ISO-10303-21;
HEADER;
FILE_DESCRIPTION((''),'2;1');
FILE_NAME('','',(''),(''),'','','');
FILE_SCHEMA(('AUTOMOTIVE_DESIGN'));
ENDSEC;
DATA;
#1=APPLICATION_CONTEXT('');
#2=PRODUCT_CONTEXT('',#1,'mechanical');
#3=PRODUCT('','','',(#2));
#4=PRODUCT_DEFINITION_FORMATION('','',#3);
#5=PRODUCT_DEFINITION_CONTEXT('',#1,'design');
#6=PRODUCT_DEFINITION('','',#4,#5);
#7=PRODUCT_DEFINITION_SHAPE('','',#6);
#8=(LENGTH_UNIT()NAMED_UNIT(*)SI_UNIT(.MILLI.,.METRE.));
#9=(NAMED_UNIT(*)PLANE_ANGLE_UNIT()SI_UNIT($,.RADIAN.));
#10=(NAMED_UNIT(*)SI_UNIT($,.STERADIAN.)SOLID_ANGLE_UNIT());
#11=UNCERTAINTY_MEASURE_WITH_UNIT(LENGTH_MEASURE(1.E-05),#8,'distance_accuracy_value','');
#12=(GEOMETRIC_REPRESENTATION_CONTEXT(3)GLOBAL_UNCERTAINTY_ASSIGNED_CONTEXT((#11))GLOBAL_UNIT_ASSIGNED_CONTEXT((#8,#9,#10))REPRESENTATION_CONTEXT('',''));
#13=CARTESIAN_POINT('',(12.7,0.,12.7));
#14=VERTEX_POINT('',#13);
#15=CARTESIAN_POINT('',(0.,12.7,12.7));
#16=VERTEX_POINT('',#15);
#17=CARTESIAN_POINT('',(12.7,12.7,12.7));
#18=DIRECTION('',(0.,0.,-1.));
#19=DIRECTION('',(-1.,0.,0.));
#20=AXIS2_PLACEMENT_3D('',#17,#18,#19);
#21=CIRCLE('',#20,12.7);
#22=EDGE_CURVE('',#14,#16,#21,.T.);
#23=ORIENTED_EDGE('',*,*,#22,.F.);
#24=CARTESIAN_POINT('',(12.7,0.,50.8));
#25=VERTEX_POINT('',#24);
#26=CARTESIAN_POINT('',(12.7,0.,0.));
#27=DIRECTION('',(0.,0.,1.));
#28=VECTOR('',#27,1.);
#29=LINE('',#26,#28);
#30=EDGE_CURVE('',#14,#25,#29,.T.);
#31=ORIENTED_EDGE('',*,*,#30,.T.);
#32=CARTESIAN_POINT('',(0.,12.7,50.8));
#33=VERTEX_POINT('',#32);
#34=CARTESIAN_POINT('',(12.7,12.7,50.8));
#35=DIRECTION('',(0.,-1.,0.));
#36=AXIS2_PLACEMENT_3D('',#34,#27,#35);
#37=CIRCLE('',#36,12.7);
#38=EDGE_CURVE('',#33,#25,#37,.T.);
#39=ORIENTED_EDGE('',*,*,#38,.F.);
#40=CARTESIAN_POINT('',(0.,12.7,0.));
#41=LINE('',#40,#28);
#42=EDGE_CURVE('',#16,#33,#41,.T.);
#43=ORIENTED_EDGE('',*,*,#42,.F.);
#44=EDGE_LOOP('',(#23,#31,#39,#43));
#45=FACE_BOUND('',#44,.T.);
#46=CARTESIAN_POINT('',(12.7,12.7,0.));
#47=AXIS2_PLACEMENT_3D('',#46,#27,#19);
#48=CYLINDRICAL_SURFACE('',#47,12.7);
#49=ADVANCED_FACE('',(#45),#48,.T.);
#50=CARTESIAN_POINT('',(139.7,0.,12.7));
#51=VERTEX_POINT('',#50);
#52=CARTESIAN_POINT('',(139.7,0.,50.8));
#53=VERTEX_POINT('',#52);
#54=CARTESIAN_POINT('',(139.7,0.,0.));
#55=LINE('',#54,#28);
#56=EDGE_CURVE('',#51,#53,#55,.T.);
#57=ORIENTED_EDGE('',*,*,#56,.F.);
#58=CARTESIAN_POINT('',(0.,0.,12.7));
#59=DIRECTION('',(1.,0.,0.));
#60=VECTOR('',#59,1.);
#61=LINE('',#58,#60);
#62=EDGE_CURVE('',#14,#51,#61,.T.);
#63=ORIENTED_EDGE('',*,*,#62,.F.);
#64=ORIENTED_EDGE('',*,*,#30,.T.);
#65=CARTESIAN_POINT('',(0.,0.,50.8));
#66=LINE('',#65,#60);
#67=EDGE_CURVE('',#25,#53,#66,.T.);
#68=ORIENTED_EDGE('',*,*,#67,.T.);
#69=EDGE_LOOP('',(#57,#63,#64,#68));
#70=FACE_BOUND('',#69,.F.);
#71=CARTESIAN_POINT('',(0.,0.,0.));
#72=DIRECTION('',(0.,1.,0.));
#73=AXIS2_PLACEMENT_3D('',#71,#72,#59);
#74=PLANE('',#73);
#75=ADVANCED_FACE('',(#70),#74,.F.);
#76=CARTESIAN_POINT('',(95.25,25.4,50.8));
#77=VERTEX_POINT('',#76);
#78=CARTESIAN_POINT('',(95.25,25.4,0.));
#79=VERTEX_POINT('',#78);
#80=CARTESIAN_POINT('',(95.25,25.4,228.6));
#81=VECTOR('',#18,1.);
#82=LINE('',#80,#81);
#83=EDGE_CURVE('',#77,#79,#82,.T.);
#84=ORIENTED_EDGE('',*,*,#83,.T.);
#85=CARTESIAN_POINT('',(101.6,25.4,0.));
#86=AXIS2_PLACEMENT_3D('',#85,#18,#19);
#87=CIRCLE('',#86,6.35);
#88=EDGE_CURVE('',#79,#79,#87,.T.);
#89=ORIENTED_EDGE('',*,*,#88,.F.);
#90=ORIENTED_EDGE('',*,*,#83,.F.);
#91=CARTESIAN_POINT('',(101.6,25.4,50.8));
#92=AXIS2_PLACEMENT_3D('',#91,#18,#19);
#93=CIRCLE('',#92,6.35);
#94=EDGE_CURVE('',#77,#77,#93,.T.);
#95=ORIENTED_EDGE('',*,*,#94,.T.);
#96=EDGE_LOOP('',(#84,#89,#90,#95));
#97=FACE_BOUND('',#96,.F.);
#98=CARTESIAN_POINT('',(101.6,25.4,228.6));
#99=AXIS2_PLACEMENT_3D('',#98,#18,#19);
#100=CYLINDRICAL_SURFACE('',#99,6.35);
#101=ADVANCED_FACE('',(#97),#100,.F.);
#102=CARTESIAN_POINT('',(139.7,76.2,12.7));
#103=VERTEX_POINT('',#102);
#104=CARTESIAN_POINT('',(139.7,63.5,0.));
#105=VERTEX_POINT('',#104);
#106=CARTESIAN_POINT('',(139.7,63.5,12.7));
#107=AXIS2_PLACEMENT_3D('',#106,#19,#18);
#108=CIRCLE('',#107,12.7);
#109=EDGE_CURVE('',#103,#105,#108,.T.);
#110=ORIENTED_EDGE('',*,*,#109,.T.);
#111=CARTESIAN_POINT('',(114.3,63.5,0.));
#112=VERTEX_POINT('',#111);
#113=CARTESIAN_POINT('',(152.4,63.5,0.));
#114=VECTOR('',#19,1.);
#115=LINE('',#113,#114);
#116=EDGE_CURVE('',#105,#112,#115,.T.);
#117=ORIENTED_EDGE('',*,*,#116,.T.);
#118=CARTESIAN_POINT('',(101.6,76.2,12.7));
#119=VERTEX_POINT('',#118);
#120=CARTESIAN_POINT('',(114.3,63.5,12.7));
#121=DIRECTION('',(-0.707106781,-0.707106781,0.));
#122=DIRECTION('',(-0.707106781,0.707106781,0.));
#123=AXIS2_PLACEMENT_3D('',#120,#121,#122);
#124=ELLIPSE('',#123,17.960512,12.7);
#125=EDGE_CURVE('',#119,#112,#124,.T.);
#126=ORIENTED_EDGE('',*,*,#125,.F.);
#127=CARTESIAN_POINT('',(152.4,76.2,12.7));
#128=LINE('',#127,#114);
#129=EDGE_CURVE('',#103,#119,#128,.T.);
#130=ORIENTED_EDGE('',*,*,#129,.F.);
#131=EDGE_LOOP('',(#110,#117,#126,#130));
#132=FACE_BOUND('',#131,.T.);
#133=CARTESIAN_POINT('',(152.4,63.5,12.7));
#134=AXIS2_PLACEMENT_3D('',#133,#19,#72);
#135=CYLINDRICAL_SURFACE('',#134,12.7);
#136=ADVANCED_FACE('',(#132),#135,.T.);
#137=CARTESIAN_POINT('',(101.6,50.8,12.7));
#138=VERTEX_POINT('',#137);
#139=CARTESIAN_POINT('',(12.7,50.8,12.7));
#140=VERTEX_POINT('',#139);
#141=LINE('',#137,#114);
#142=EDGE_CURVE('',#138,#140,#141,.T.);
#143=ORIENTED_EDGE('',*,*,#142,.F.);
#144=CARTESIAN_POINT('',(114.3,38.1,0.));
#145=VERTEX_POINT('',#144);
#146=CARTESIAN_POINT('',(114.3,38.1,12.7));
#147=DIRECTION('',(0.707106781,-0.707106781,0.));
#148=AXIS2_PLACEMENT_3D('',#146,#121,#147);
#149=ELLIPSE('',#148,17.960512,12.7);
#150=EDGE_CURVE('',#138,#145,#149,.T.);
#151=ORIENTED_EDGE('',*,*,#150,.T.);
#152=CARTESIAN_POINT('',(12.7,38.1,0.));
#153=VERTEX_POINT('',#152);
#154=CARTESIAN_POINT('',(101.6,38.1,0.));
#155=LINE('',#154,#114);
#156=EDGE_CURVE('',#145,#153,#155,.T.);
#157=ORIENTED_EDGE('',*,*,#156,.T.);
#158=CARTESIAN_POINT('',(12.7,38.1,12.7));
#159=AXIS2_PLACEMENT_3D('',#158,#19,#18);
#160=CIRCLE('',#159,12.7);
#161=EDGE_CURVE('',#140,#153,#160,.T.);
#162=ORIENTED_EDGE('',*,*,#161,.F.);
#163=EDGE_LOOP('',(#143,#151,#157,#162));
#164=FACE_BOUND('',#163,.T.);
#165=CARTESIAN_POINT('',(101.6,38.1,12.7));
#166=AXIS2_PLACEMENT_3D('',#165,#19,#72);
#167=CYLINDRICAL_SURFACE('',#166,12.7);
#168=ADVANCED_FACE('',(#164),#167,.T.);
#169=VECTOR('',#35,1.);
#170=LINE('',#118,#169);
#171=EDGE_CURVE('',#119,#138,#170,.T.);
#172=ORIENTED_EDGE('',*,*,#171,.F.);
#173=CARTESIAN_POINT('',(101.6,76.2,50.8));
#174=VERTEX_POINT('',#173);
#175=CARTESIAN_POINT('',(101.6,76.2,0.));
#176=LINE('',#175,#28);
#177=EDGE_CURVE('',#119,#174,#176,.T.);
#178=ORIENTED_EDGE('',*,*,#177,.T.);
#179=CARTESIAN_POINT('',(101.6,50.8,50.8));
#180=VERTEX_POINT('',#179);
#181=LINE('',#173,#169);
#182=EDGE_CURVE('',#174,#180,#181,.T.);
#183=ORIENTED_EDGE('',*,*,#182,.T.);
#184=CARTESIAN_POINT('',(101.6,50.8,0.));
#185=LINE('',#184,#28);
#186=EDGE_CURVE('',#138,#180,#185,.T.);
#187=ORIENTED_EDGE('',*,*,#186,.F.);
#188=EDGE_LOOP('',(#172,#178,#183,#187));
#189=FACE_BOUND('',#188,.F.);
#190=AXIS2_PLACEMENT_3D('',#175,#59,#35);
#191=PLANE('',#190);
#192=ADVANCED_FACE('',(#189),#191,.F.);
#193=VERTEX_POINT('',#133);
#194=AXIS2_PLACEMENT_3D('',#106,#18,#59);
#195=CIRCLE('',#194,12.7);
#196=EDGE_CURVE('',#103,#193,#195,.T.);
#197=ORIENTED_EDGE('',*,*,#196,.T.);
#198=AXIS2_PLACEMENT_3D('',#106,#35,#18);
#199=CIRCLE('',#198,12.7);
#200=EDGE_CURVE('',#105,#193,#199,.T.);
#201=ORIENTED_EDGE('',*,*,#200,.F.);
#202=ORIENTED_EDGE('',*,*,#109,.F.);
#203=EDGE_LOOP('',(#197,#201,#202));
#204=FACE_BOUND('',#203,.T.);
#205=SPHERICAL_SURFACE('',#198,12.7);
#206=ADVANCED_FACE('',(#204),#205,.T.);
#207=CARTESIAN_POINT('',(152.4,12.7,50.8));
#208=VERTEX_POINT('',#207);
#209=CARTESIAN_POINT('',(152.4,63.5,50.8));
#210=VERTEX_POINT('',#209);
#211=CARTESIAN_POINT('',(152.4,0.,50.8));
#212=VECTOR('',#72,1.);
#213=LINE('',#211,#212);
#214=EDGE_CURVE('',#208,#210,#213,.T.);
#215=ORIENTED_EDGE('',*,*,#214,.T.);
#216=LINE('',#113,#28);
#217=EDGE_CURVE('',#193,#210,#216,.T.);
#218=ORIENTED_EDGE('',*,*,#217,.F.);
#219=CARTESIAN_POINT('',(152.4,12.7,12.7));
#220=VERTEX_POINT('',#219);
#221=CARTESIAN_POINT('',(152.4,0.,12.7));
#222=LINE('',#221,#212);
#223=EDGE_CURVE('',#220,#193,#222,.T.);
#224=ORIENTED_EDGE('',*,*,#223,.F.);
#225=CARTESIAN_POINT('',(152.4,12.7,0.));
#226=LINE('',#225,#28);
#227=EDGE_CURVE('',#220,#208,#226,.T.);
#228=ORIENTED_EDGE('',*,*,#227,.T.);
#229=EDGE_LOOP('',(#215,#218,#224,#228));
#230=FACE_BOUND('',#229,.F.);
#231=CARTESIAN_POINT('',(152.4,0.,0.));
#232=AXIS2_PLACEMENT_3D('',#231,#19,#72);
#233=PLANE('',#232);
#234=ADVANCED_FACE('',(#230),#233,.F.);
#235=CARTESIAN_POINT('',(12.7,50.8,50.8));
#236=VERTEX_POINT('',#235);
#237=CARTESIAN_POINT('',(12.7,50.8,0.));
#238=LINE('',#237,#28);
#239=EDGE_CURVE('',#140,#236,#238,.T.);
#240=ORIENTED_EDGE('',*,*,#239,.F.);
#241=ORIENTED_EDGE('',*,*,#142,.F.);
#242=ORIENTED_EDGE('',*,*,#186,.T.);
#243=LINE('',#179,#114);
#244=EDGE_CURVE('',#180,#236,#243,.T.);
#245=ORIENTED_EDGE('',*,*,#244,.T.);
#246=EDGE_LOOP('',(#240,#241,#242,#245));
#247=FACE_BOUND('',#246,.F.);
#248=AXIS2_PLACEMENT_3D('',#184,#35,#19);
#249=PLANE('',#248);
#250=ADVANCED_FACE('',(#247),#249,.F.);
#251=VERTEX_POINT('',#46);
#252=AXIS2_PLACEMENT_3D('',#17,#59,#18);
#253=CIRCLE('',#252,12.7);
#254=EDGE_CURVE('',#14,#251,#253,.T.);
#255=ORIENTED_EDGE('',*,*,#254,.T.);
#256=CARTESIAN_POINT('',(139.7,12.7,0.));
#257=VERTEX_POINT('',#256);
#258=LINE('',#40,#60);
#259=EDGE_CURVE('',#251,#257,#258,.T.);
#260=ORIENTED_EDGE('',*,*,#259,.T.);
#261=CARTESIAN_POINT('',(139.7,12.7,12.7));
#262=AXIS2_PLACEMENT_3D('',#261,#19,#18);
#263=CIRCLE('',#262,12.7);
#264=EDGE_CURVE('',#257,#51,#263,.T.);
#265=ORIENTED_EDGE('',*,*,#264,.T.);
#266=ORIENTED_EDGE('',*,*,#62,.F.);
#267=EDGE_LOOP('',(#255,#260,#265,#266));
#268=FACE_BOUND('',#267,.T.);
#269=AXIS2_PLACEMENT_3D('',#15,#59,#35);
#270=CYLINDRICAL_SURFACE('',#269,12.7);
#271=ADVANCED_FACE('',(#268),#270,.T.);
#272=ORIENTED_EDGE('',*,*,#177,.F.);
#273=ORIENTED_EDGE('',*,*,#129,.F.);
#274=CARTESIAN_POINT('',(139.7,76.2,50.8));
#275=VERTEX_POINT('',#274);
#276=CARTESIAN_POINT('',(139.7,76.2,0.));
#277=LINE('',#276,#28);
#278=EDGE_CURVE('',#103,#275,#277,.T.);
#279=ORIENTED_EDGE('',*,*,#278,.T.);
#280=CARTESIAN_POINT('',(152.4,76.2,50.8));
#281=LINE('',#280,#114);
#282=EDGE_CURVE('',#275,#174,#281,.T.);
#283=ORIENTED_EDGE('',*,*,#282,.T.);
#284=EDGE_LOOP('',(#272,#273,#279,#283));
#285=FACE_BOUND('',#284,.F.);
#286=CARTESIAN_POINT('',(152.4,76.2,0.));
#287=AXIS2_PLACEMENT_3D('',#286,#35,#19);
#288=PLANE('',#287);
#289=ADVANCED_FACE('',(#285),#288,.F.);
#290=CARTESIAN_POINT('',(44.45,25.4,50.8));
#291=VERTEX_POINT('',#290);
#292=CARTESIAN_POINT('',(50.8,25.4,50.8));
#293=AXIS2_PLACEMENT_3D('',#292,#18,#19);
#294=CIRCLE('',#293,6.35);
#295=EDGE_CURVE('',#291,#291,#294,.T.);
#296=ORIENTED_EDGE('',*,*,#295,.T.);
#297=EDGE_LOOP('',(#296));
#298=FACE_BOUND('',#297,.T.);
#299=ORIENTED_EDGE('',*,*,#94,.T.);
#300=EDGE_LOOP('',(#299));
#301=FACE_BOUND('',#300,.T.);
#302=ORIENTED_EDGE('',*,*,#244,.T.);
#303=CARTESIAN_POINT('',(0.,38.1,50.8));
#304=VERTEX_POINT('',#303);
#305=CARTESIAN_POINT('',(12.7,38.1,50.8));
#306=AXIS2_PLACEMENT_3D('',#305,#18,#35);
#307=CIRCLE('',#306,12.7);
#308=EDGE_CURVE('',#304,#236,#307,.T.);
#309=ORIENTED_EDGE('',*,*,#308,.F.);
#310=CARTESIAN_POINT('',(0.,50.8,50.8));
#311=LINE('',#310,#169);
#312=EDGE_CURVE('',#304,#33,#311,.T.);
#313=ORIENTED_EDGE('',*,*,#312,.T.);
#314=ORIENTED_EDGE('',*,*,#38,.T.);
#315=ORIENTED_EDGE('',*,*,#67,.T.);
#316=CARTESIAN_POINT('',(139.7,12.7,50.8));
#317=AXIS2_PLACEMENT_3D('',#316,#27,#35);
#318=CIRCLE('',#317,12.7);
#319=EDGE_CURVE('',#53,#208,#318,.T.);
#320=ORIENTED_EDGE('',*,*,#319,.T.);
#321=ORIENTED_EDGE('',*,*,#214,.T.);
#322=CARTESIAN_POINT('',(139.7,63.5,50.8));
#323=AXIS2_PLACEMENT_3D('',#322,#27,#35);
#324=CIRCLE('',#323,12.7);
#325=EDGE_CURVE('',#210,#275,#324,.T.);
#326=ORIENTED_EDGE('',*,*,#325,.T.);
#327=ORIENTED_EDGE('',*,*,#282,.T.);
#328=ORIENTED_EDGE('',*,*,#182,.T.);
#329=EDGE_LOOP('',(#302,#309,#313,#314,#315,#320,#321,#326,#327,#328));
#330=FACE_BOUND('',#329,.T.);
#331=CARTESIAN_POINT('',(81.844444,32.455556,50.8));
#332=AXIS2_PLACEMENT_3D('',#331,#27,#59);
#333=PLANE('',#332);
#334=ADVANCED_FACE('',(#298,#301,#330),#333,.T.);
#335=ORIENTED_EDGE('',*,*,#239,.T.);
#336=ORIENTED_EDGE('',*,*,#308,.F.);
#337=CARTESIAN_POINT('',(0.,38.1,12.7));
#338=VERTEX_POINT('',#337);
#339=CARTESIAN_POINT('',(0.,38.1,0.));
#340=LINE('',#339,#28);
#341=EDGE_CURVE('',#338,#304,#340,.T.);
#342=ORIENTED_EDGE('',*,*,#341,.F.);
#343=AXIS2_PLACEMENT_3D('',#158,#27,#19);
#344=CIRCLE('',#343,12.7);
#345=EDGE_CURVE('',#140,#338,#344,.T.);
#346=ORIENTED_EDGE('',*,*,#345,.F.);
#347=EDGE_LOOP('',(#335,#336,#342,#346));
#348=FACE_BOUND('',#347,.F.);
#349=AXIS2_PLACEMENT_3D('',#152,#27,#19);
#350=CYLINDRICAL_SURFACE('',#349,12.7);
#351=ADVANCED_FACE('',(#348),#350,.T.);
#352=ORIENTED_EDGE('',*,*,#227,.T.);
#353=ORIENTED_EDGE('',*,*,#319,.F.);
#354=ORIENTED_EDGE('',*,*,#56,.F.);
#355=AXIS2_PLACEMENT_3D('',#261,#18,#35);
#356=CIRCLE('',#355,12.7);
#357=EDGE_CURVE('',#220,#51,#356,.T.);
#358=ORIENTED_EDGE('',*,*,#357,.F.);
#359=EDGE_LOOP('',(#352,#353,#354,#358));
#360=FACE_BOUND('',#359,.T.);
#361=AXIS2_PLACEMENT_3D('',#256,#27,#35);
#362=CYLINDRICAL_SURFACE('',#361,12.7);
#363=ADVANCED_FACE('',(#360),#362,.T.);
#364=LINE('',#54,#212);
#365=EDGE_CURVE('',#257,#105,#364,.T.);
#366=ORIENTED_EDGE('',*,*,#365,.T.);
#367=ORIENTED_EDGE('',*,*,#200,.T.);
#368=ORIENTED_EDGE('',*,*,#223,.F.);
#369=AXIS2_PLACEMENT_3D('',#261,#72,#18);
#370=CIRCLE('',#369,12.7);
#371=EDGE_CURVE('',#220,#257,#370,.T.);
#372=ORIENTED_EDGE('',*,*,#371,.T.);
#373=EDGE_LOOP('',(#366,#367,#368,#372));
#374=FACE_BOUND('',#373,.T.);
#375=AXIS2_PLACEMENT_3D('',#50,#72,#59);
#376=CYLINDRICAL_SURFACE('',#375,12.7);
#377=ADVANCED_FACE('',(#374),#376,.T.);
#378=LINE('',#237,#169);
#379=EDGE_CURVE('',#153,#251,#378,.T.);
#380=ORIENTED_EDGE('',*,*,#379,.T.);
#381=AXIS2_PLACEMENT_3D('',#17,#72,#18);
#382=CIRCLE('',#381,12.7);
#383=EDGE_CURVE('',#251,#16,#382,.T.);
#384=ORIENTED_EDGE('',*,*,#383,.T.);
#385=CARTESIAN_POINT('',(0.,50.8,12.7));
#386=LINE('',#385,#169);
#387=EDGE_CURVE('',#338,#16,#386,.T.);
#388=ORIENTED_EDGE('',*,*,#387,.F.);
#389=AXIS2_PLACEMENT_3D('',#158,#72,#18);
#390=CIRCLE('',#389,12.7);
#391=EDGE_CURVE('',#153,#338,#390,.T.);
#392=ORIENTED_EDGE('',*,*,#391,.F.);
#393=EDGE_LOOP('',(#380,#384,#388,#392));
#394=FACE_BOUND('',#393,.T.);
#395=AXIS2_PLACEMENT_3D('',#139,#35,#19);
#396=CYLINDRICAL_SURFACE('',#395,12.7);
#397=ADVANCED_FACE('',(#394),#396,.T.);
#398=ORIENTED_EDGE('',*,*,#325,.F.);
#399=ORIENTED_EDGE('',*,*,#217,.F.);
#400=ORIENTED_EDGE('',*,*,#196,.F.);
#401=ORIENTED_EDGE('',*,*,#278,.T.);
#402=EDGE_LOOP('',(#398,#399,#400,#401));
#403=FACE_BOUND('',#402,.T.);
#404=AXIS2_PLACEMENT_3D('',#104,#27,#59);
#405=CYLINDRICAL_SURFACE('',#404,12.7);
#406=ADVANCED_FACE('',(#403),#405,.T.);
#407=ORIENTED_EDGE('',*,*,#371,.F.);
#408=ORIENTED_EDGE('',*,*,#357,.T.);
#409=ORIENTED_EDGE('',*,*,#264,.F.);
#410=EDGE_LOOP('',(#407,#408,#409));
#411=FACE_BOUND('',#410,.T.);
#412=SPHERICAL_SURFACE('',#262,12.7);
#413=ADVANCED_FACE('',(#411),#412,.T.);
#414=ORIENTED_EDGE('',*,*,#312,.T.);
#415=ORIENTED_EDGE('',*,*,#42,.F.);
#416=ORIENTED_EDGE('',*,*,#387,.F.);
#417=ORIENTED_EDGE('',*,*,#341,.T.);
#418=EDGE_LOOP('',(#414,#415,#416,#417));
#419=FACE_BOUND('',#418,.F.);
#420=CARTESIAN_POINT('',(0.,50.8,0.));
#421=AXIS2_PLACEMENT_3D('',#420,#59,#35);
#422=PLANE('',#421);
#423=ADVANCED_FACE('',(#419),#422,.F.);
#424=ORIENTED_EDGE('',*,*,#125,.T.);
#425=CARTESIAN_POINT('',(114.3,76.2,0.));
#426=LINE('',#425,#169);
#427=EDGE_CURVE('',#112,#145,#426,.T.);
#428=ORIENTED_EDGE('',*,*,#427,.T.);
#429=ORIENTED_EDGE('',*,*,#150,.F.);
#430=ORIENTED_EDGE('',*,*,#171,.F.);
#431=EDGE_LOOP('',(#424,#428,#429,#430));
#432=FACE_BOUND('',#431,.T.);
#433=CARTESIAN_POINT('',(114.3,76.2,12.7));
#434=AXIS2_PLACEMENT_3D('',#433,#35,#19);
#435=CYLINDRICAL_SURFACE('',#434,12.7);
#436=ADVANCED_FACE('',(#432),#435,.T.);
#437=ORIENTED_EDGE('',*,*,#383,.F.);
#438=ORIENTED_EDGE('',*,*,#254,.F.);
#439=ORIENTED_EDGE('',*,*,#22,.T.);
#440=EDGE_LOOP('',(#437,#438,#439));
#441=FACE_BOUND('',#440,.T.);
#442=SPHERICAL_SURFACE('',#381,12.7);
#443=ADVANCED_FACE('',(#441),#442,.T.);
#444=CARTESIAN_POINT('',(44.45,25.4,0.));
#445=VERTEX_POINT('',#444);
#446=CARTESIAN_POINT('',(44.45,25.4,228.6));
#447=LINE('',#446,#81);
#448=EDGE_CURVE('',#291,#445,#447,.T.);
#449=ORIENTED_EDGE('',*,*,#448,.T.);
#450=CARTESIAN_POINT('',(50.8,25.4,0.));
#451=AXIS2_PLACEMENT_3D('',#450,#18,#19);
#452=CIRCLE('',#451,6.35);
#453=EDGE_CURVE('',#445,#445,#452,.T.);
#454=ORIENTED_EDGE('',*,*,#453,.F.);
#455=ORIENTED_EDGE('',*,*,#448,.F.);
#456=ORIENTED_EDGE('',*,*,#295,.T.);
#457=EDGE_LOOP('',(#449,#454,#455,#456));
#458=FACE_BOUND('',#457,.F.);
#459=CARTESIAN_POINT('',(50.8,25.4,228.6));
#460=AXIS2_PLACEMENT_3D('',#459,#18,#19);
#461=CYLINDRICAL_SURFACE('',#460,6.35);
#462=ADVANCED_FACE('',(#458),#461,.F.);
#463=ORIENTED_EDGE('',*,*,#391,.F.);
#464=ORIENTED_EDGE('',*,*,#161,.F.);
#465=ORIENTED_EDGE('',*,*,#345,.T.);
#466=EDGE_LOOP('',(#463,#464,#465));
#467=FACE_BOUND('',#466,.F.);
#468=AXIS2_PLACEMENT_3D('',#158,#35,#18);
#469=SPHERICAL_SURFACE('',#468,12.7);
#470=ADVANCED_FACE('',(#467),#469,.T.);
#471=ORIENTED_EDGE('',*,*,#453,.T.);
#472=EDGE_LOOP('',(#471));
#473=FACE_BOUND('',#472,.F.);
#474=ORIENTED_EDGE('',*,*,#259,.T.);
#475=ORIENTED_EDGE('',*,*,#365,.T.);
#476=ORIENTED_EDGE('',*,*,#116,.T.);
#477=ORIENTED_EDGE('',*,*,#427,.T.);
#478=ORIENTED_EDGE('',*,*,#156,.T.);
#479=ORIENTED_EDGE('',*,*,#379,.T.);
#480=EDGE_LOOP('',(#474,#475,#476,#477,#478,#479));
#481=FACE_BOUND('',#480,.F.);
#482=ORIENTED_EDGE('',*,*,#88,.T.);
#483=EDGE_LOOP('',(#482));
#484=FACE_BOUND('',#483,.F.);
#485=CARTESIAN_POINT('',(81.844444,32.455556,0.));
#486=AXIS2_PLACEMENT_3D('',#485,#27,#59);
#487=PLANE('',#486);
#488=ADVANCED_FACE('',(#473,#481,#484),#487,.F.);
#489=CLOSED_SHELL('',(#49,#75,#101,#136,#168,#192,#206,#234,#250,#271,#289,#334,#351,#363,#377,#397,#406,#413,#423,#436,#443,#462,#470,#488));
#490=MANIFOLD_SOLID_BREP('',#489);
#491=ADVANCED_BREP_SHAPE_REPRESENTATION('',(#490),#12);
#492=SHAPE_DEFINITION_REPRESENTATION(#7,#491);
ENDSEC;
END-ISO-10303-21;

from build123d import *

# Parameters (mm, degrees)
F1_DEPTH = 50.8
F2_R     = 12.7
F4_D     = 12.7


with BuildPart() as f1:
    # F0 (on Top) → F1 (new body)
    with BuildSketch(Plane.XY):
        Polygon((0, 50.8), (0, 0), (152.4, 0), (152.4, 76.2), (101.6, 76.2), (101.6, 50.8), align=None)
    extrude(amount=F1_DEPTH)

    # F2
    f2_edges = [f1.edges().sort_by_distance(p)[0] for p in [
        (0, 25.4, 0),
        (76.2, 0, 0),
        (152.4, 38.1, 0),
        (127, 76.2, 0),
        (101.6, 63.5, 0),
        (50.8, 50.8, 0),
        (152.4, 0, 25.4),
        (0, 0, 25.4),
        (0, 50.8, 25.4),
        (152.4, 76.2, 25.4),
    ]]
    fillet(f2_edges, radius=F2_R)

    # F4 (through all)
    with Locations(Plane.XY.offset(50.8)):
        with Locations((50.8, 25.4), (101.6, 25.4)):
            Hole(F4_D / 2)


solid = f1.part
